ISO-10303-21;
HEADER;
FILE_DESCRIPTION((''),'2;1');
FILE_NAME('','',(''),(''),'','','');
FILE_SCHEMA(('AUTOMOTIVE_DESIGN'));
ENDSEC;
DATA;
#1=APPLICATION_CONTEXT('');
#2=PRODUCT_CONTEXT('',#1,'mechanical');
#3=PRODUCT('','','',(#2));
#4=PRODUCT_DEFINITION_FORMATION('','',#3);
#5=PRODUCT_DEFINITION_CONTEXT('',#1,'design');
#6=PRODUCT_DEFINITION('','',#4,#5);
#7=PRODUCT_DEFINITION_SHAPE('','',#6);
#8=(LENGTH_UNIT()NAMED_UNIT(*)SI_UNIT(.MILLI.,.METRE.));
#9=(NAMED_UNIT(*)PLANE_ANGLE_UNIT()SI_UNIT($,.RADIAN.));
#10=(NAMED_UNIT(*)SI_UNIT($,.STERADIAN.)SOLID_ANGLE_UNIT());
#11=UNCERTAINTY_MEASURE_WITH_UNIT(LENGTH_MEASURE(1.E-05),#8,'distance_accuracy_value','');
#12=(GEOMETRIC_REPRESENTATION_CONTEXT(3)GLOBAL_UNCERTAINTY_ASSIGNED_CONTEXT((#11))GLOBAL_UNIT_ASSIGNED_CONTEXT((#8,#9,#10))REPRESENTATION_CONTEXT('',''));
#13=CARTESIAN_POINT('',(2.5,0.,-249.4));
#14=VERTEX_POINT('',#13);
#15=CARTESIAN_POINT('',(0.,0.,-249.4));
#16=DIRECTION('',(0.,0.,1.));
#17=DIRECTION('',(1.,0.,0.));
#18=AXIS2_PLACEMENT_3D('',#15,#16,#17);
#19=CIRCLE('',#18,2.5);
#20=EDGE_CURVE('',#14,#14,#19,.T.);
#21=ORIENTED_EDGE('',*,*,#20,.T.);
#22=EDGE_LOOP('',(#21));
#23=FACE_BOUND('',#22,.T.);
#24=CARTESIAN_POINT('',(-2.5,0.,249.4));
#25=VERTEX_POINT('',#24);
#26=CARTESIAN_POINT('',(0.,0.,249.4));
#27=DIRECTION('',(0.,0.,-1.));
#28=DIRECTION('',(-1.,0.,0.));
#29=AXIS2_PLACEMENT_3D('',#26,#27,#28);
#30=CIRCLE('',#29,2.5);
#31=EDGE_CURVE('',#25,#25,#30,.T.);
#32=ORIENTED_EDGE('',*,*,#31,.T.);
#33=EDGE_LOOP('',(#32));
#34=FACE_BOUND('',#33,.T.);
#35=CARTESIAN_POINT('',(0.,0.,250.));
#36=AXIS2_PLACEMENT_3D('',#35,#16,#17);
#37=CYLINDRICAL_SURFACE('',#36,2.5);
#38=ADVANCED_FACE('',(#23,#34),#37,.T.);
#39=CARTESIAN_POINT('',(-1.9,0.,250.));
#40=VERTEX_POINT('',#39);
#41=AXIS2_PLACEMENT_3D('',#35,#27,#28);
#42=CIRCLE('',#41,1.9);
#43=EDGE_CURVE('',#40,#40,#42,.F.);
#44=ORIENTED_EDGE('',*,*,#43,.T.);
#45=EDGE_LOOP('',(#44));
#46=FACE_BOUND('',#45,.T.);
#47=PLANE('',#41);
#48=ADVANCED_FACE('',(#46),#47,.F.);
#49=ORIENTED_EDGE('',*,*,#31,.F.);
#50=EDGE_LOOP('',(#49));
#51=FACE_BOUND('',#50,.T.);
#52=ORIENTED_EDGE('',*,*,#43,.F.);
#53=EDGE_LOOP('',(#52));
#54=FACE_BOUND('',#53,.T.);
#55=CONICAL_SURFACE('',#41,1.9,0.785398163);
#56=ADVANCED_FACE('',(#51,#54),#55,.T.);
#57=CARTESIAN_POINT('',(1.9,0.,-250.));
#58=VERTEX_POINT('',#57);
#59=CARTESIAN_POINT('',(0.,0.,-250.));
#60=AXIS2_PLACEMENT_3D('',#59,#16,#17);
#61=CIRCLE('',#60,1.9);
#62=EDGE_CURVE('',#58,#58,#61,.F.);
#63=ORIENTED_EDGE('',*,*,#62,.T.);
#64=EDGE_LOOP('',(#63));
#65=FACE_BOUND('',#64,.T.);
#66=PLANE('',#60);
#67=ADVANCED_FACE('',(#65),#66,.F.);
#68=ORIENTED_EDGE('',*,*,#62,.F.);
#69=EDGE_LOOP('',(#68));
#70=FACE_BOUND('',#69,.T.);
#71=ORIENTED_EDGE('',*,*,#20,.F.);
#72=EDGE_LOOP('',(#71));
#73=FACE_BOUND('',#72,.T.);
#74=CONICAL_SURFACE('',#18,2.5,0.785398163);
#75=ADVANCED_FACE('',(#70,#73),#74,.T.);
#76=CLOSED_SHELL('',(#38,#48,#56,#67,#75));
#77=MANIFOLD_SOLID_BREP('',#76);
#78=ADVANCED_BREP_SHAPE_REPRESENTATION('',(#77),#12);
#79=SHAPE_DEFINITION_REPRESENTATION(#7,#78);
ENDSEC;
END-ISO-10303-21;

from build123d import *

# Parameters (mm, degrees)
SKETCH2_W     = 500
SKETCH2_H     = 2.5
CHAMFER1_SIZE = 0.6


with BuildPart() as part:
    # Sketch2 → Revolve1 (revolve)
    with BuildSketch(Plane(origin=(0, 0, 0), x_dir=(0, 0, -1), z_dir=(1, 0, 0))):
        with Locations((0, 1.25)):
            Rectangle(SKETCH2_W, SKETCH2_H)
    revolve(axis=Axis((0, 0, 250), (0, 0, -1)))

    # Chamfer1
    chamfer1_edges = [part.edges().sort_by_distance(p)[0] for p in [
        (0, -2.5, -250),
        (0, -2.5, 250),
    ]]
    chamfer(chamfer1_edges, length=CHAMFER1_SIZE)


solid = part.part
